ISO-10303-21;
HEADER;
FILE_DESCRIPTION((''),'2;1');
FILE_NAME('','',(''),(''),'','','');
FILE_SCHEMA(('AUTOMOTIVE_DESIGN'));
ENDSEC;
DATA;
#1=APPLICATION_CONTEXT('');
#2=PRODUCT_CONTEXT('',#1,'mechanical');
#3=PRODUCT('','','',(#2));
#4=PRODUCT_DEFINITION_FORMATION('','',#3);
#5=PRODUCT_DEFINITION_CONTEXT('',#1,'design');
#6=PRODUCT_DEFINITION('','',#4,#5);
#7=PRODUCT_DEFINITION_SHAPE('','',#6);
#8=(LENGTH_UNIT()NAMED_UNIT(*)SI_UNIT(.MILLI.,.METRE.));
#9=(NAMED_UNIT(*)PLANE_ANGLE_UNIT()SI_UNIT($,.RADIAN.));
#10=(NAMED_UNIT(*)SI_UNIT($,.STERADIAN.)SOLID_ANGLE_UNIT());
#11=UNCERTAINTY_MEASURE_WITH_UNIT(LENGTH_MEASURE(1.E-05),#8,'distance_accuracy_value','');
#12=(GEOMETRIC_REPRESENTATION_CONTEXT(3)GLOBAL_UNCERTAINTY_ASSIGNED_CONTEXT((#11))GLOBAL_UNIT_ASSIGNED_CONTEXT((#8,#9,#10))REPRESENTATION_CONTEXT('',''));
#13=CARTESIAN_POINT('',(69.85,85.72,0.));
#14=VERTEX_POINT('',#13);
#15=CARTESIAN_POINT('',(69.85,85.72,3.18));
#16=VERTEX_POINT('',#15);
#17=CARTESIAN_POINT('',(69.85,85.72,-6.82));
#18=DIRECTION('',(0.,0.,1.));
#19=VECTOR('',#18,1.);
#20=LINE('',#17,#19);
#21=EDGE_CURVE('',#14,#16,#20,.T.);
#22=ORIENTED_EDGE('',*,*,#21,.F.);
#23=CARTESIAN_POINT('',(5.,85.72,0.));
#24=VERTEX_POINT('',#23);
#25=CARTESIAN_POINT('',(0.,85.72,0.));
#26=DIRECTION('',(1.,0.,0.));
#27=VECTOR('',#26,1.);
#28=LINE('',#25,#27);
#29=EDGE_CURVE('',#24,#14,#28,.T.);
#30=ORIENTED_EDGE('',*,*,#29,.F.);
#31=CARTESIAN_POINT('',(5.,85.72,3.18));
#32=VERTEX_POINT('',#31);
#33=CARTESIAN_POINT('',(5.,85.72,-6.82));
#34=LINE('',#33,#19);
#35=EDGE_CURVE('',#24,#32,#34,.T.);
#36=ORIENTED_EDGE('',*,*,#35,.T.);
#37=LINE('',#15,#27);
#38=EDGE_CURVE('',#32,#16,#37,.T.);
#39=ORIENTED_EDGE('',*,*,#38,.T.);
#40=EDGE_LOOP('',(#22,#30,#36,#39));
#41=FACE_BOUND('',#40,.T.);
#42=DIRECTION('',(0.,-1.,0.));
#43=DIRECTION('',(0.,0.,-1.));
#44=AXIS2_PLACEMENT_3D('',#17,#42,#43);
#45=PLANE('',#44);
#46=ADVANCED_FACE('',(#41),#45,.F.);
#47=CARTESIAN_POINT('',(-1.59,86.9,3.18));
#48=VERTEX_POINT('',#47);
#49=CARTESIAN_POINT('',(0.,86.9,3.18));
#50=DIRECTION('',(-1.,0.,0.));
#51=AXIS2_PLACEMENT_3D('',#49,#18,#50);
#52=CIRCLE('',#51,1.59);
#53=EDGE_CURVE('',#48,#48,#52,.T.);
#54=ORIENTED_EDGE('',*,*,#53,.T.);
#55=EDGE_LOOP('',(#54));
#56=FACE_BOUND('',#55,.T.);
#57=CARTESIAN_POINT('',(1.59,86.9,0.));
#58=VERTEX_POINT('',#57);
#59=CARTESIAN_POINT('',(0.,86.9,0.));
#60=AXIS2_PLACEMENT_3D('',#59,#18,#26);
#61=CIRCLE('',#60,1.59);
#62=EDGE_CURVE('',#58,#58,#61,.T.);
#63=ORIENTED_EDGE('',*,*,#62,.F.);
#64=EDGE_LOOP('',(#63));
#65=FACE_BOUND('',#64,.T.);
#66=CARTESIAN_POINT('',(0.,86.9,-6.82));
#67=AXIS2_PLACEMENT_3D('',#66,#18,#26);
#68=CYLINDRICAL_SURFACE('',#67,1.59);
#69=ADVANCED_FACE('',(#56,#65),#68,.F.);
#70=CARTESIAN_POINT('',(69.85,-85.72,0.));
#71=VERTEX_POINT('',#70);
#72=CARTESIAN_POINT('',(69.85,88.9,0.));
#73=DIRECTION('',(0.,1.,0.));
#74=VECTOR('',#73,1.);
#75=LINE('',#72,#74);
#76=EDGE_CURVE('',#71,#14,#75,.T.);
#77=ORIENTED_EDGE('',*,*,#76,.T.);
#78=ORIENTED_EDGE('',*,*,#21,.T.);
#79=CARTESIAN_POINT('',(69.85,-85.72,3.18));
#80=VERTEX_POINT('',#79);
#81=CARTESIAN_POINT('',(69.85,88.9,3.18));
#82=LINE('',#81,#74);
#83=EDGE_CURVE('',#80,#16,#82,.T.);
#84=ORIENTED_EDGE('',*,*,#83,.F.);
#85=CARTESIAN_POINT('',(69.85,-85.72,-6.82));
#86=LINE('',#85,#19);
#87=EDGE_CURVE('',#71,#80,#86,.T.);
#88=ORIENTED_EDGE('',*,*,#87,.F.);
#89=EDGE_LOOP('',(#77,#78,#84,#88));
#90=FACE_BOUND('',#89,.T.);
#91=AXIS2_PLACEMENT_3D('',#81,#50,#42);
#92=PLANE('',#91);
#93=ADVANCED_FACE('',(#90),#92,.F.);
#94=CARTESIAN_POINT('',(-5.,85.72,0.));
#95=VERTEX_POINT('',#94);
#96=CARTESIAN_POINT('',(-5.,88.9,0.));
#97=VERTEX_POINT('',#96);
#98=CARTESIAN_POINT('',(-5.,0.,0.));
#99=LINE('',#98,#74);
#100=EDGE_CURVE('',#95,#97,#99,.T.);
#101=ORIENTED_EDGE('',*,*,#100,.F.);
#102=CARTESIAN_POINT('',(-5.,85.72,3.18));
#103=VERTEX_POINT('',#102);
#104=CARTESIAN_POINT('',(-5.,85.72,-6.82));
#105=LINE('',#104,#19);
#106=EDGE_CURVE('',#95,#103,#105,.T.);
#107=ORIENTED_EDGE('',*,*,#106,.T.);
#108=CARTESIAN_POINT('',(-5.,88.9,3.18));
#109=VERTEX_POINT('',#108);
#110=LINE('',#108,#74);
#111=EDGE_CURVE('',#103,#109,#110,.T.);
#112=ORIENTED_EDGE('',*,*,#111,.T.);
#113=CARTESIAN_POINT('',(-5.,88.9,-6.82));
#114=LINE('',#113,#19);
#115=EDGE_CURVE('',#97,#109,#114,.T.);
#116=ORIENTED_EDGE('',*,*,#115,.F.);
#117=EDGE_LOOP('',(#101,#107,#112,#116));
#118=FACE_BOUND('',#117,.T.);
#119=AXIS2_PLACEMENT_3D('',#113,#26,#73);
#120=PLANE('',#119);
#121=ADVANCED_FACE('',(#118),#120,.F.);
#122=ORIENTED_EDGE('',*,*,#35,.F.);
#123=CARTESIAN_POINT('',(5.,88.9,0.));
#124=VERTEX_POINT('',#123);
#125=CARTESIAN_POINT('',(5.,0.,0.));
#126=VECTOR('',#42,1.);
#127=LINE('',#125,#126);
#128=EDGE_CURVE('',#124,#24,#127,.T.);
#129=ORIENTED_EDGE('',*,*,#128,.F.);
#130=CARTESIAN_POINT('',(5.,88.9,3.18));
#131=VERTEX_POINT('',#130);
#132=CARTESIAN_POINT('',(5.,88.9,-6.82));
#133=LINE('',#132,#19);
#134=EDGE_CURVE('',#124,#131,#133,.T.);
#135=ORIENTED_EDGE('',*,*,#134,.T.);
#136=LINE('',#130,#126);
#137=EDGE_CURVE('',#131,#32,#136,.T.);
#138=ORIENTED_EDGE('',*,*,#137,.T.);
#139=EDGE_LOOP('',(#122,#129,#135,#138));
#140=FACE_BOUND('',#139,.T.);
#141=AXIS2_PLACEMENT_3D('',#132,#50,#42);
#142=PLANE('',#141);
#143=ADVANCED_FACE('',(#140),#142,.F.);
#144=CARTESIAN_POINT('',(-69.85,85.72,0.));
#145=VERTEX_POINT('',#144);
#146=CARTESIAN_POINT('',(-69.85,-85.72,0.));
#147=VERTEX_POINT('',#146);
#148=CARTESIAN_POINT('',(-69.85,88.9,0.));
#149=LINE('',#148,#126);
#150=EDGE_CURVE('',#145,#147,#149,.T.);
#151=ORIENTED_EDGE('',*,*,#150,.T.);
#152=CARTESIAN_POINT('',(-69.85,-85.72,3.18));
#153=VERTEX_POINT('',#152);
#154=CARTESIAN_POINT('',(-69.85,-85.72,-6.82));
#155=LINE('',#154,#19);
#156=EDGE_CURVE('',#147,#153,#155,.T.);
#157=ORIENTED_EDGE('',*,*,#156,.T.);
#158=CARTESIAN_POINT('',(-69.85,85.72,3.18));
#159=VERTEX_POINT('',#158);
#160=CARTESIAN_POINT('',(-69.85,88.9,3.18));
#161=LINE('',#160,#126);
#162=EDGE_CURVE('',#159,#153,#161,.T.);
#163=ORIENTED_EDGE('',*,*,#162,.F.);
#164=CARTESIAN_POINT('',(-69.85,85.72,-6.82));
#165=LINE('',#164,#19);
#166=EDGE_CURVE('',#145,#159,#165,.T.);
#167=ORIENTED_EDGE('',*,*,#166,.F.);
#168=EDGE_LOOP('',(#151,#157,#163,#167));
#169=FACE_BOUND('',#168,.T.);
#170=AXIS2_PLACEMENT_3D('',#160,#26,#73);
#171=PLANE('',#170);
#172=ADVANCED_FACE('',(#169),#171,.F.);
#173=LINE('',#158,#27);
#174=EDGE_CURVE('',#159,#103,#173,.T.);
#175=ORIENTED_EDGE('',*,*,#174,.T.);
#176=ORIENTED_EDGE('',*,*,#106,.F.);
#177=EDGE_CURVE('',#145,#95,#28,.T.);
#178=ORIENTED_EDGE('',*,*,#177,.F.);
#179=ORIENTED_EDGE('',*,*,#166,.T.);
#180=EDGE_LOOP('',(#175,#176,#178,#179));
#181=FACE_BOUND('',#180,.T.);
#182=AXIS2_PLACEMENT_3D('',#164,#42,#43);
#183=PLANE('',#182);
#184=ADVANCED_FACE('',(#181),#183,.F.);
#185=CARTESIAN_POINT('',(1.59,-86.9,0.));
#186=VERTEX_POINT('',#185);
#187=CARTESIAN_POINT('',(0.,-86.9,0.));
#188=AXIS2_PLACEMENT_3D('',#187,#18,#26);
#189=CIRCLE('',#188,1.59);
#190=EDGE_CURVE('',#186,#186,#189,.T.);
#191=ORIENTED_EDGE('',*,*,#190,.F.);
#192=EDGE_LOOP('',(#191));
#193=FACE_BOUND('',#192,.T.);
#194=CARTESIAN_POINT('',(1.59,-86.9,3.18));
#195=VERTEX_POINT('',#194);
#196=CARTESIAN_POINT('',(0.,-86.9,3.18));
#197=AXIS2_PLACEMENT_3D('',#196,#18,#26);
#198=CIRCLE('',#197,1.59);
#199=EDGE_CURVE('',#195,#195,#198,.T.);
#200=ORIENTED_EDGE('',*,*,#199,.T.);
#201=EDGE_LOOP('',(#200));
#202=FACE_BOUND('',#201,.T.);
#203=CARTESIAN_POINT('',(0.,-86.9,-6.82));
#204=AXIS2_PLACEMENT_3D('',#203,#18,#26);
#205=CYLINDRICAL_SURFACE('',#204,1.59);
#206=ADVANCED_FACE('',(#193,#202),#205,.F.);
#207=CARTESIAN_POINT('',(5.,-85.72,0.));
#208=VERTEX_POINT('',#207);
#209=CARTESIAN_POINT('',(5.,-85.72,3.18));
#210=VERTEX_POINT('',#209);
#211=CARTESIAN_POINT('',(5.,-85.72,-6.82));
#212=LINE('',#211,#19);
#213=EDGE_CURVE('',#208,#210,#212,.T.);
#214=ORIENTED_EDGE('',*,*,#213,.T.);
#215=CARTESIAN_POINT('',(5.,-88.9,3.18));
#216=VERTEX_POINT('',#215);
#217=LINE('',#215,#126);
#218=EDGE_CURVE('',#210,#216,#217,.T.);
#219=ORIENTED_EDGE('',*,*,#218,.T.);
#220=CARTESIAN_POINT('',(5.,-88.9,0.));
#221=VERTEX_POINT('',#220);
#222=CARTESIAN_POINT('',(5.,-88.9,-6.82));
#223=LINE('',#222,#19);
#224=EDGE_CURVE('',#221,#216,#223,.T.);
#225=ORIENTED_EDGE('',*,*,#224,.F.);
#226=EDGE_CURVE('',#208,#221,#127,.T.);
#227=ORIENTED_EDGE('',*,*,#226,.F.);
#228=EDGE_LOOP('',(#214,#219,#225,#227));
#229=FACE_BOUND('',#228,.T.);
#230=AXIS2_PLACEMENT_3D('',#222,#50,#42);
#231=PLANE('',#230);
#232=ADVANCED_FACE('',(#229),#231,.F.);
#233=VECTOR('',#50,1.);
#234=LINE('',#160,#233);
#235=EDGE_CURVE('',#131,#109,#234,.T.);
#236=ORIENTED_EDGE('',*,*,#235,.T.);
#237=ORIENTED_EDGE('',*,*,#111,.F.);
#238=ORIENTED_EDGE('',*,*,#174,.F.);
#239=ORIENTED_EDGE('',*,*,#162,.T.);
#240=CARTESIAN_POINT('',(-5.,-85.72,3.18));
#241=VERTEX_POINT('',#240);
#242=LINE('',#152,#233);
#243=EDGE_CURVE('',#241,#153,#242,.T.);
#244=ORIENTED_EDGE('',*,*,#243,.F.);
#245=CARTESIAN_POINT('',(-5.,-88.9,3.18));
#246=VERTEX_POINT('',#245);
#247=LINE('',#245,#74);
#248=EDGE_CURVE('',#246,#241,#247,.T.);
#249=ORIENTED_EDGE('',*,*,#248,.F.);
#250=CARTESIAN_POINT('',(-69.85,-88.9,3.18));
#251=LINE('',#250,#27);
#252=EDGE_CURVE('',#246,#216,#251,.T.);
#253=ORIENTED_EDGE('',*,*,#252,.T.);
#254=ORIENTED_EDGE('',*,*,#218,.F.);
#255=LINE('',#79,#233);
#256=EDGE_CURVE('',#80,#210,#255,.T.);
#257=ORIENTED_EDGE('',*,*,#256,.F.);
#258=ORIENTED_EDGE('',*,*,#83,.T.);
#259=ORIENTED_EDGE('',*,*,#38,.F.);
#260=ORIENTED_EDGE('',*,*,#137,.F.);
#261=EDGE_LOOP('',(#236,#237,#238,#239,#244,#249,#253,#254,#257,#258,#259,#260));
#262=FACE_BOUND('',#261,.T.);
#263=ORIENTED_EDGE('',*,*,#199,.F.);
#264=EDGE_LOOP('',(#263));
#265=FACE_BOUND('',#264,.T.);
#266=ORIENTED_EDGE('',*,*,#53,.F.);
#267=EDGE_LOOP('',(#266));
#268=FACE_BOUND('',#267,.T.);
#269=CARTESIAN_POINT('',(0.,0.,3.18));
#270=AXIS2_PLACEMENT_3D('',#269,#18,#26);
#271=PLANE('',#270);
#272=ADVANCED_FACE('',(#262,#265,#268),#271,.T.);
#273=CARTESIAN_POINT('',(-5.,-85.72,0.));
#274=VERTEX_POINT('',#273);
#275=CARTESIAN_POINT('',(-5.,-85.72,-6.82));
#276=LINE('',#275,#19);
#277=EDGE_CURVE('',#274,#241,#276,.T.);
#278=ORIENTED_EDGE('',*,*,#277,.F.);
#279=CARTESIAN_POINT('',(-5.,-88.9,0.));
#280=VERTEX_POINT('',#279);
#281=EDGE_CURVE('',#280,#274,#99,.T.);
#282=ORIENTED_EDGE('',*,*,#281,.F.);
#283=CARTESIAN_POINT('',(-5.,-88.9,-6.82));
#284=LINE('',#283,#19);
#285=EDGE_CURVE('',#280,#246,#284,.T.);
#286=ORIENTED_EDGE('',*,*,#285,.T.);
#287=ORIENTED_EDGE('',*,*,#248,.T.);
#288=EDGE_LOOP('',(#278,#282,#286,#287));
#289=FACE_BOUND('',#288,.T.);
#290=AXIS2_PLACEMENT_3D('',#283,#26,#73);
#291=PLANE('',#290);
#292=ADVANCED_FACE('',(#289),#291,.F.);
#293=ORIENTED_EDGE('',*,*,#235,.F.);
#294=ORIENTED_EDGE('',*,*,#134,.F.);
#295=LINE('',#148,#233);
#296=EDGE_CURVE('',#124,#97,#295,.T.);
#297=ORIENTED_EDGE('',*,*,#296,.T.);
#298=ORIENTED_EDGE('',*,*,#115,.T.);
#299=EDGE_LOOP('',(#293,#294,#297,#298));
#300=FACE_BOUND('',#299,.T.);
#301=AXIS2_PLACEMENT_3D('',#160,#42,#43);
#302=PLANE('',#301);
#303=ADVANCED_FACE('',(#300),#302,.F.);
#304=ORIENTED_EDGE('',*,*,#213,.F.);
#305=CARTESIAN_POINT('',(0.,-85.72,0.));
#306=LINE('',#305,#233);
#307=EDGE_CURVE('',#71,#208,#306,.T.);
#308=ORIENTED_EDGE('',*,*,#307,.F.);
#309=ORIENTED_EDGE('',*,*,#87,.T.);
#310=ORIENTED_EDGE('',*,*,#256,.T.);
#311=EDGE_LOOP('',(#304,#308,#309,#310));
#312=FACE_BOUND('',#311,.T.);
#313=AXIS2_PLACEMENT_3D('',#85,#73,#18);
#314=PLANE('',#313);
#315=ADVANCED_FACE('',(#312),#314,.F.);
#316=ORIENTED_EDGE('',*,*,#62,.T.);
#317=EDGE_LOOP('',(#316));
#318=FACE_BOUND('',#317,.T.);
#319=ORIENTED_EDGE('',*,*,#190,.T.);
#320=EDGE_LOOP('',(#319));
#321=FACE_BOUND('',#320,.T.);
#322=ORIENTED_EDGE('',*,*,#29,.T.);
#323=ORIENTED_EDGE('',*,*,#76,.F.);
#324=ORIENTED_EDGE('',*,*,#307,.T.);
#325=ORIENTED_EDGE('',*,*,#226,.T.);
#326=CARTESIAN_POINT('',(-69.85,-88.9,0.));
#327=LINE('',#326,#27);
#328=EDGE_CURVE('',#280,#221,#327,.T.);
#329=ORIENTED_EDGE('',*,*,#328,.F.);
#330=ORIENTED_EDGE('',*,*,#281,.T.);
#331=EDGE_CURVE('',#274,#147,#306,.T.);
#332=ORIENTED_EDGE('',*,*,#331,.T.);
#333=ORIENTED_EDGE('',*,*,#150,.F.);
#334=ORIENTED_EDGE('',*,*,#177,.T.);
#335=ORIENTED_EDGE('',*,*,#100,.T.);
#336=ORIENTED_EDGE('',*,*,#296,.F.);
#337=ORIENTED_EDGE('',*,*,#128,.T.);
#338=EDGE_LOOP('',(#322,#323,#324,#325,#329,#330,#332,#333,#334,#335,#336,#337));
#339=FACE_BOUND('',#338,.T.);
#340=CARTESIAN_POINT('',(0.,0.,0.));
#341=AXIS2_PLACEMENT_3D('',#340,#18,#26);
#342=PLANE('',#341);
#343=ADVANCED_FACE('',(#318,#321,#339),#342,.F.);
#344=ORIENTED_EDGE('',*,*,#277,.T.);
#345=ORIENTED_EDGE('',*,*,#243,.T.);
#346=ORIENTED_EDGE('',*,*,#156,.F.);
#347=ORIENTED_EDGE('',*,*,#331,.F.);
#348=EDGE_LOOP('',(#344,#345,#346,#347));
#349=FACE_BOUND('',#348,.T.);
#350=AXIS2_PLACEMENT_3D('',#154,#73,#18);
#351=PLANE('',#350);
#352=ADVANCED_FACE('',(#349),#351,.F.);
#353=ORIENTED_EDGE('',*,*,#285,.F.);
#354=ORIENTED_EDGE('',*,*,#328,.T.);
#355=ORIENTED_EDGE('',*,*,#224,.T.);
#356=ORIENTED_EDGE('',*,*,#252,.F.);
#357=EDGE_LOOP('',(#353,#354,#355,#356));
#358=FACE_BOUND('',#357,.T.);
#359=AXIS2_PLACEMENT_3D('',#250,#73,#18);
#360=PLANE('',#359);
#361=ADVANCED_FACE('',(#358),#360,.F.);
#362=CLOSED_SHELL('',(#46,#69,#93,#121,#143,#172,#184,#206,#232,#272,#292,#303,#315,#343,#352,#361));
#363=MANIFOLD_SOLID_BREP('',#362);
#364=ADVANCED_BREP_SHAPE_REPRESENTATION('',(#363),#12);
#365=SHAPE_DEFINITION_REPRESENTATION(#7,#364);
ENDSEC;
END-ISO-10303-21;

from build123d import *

# Parameters (mm, degrees)
SKETCH1_W           = 139.7
SKETCH1_H           = 177.8
BOSS_EXTRUDE1_DEPTH = 3.18
SKETCH3_R           = 1.59
SKETCH3_W           = 64.85
SKETCH3_H           = 3.18
CUT_EXTRUDE2_DEPTH  = 10


with BuildPart() as part:
    # Sketch1 → Boss-Extrude1 (new body)
    with BuildSketch(Plane.XY):
        Rectangle(SKETCH1_W, SKETCH1_H)
    extrude(amount=BOSS_EXTRUDE1_DEPTH)

    # Sketch3 → Cut-Extrude2 (cut)
    with BuildSketch(Plane.XY.offset(3.18)):
        with Locations((0, -86.9)):
            Circle(SKETCH3_R)
        with Locations((0, 86.9)):
            Circle(SKETCH3_R)
        with Locations((-37.425, -87.31)):
            Rectangle(SKETCH3_W, SKETCH3_H)
        with Locations((37.425, -87.31)):
            Rectangle(SKETCH3_W, SKETCH3_H)
        with Locations((-37.425, 87.31)):
            Rectangle(SKETCH3_W, SKETCH3_H)
        with Locations((37.425, 87.31)):
            Rectangle(SKETCH3_W, SKETCH3_H)
    extrude(amount=-CUT_EXTRUDE2_DEPTH, mode=Mode.SUBTRACT)


solid = part.part
